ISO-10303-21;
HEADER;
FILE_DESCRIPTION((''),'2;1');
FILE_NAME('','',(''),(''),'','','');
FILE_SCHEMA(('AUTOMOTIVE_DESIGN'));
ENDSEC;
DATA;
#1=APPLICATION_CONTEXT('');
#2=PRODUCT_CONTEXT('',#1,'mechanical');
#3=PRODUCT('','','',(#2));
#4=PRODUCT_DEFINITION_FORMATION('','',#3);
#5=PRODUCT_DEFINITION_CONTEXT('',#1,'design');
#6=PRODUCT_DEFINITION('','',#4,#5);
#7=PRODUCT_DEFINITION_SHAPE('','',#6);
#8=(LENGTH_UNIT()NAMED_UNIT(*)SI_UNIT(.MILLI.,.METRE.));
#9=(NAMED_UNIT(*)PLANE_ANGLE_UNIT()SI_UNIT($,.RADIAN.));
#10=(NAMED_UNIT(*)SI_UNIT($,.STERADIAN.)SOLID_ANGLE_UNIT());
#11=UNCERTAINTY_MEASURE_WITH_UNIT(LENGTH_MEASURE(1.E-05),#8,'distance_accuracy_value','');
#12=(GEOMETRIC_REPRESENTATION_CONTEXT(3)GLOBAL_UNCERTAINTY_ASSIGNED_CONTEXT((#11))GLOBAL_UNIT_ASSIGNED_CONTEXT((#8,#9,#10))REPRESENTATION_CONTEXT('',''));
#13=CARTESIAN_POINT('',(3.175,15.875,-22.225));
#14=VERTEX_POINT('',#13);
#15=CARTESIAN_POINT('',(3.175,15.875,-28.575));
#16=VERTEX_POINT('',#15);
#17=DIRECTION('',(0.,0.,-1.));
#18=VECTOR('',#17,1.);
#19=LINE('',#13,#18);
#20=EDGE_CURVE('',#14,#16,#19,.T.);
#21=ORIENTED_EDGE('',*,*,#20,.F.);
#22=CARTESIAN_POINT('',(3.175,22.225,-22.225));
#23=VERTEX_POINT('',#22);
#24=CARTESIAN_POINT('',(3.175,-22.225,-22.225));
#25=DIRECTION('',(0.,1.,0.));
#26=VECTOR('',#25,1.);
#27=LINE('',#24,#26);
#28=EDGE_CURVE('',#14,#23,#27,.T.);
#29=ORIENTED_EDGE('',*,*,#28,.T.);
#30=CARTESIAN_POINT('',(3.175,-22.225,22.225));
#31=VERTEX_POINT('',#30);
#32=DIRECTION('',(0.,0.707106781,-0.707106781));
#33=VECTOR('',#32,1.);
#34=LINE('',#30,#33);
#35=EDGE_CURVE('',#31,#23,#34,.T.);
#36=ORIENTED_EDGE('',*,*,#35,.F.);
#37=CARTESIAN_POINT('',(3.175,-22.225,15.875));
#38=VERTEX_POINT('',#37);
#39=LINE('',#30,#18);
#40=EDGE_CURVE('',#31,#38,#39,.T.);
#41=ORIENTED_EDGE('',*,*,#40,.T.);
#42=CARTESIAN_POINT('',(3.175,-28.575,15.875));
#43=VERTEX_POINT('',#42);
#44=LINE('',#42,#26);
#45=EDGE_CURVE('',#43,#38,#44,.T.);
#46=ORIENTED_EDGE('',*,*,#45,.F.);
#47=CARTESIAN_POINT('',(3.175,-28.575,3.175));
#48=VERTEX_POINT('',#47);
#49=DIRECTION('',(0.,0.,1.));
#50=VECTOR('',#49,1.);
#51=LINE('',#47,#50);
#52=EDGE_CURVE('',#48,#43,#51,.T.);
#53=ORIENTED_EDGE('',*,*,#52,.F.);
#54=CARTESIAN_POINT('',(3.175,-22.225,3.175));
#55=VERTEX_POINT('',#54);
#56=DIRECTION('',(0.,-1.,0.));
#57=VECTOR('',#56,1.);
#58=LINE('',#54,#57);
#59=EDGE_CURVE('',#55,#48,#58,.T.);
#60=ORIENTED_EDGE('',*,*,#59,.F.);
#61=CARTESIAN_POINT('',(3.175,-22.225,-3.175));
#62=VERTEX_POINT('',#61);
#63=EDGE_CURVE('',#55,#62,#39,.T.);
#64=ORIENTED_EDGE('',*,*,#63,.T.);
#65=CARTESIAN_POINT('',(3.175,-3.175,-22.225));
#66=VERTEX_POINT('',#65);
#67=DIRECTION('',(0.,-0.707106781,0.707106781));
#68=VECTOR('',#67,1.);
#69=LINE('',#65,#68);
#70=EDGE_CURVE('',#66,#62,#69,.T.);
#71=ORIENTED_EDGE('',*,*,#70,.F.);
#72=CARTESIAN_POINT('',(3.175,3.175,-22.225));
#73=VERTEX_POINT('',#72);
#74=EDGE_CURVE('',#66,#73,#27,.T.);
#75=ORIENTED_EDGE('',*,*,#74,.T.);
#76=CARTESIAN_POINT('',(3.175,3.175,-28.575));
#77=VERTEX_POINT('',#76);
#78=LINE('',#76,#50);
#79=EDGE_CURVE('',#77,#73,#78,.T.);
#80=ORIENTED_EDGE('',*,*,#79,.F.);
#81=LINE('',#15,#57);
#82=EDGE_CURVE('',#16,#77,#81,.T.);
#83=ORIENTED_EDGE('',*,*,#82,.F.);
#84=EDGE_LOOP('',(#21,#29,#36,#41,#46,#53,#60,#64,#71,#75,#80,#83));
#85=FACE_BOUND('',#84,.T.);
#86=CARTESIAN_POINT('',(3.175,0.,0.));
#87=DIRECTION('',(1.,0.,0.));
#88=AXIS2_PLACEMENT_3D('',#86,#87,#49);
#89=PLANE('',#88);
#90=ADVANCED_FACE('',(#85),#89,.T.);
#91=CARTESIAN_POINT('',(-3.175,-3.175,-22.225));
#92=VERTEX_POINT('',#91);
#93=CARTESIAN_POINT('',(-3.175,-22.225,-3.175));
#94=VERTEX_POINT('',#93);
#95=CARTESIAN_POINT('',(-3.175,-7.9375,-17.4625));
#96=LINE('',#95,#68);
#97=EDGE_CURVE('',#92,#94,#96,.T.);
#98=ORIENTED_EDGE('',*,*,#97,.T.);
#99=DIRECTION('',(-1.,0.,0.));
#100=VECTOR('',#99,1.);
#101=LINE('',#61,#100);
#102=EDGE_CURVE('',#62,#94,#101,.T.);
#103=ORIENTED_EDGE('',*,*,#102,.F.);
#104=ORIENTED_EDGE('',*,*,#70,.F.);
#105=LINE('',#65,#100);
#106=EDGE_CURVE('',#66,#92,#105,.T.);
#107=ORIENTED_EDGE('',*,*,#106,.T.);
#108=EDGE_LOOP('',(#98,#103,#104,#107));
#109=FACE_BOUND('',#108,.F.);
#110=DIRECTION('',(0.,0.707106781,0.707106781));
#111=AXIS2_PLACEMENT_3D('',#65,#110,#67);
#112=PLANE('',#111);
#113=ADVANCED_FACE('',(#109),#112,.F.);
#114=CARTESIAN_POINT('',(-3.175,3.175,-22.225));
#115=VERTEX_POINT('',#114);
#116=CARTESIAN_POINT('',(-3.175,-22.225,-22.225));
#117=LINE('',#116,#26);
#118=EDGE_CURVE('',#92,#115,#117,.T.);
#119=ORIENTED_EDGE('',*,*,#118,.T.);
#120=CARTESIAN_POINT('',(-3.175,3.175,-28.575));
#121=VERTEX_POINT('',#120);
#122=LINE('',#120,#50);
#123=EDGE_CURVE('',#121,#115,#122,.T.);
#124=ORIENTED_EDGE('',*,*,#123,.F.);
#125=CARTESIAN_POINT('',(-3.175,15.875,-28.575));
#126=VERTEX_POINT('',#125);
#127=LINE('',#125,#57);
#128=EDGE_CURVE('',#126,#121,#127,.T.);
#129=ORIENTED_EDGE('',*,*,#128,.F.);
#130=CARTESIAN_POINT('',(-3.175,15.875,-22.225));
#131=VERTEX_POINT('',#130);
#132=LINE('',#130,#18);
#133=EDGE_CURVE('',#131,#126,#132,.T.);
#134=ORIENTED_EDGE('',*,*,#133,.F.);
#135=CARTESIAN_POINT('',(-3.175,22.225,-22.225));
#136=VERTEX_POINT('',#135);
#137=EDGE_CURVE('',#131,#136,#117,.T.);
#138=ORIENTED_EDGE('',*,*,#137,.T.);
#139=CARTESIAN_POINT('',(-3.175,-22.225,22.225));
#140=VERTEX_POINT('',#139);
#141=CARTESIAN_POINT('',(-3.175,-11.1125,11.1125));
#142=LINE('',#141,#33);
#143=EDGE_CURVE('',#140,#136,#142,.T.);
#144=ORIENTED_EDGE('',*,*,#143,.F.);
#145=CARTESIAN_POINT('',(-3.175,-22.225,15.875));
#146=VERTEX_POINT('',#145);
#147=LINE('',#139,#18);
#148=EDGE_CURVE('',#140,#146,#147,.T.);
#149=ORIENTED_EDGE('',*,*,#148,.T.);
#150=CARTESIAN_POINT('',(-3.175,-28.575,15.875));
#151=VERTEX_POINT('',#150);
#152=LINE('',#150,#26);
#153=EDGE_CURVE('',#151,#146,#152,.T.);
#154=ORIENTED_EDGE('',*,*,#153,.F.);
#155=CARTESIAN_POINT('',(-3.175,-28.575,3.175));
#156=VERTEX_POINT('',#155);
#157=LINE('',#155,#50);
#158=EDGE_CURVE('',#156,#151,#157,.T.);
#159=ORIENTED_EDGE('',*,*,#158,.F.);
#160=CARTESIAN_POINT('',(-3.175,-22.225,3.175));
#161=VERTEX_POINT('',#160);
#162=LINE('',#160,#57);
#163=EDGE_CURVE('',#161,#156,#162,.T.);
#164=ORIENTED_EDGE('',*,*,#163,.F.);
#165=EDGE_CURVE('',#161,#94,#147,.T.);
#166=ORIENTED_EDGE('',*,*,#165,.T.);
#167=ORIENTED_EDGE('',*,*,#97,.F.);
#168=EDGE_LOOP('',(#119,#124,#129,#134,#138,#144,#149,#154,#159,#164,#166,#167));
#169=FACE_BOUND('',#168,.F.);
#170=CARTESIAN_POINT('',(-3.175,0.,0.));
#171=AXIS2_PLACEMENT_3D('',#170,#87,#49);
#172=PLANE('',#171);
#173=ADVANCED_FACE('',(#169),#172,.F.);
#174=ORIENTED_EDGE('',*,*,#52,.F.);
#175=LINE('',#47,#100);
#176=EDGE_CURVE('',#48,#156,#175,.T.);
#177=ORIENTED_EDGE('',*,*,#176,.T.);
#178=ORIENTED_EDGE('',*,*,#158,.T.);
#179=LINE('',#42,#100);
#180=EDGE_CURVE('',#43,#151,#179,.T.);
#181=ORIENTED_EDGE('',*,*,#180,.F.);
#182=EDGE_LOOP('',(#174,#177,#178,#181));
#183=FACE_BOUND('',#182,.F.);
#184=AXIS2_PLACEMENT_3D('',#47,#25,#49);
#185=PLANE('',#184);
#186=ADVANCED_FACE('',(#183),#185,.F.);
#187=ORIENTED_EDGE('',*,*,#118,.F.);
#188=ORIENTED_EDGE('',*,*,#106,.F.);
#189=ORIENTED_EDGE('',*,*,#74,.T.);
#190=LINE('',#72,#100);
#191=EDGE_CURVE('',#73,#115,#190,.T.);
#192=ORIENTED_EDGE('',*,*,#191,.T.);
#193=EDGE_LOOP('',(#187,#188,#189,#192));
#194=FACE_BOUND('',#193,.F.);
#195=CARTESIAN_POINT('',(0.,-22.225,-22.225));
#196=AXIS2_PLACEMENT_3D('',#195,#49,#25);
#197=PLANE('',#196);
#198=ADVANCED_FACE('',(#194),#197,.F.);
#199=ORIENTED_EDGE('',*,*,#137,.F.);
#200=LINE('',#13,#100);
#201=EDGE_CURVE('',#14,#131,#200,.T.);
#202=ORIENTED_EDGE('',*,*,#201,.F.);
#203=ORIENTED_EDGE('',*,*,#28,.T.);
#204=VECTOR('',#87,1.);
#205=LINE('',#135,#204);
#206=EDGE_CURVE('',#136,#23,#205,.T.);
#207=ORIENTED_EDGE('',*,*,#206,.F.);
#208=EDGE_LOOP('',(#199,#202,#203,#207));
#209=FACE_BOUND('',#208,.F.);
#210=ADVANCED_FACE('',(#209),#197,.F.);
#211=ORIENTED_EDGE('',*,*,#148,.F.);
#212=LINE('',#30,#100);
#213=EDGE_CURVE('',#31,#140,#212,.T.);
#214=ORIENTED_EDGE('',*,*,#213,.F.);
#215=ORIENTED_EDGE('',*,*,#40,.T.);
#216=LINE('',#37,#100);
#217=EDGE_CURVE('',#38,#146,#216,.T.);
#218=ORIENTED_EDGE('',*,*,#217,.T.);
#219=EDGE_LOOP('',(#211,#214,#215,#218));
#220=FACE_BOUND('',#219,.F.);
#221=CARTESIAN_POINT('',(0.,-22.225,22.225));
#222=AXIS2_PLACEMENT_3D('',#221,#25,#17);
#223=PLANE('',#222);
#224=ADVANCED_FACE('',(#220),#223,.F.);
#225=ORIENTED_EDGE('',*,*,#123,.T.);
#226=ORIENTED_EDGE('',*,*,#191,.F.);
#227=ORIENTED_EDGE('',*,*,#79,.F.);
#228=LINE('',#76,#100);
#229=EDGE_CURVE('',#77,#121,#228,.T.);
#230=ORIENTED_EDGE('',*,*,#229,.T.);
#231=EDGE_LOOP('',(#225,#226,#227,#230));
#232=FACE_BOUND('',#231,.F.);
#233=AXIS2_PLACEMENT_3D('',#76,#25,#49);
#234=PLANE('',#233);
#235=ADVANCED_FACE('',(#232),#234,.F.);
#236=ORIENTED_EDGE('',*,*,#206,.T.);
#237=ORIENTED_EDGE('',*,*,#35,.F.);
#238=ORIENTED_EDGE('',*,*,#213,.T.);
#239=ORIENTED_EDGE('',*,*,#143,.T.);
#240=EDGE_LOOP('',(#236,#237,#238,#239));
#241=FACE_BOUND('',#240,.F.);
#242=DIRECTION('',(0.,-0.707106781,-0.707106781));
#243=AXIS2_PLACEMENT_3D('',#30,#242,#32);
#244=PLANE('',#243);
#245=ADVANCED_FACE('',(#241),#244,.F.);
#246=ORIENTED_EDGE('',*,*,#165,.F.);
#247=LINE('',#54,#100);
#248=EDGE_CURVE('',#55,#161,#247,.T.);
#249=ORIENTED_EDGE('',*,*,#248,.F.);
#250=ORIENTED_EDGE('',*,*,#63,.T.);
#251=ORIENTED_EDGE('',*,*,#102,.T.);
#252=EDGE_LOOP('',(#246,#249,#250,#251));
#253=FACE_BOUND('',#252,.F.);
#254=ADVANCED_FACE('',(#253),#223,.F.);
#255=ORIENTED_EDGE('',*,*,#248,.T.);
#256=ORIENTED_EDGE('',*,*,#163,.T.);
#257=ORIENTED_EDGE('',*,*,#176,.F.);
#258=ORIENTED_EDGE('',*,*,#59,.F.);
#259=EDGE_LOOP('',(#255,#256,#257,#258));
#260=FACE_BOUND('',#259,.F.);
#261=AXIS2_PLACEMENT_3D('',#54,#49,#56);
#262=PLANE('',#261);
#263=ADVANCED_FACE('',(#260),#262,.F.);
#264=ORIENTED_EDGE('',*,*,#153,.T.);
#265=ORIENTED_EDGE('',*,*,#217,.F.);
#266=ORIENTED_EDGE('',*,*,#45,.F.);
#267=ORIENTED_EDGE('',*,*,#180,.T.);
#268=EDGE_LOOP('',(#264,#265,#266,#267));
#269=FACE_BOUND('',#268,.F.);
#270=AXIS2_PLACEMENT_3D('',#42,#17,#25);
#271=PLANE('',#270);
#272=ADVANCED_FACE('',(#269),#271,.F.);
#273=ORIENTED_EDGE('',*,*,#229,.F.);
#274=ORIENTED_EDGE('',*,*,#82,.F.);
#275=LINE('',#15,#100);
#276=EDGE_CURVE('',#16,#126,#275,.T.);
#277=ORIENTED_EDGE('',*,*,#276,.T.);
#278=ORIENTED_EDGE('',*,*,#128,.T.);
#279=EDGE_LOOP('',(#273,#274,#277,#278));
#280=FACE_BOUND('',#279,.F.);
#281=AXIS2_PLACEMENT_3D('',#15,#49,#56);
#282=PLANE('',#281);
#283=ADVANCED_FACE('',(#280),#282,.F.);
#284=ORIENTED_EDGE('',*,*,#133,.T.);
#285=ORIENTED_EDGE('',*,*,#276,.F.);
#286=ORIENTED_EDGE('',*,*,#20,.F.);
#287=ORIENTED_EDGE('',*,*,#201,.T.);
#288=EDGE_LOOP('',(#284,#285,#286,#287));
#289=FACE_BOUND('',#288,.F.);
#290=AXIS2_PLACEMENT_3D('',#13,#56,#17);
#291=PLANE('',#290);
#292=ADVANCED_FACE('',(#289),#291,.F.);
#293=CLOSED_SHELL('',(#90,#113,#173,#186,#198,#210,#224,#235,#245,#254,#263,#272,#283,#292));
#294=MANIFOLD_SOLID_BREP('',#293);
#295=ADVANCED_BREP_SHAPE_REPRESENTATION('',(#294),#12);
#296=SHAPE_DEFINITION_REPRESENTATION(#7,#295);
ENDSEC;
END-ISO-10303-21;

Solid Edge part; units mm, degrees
sketch "Sketch1" plane through (0, 0, 0) normal (1, 0, 0) x (0, 1, 0)
  line L0 (-22.225, -22.225) -> (22.225, -22.225)
  line L1 (22.225, -22.225) -> (22.225, 22.225)
  line L2 (22.225, 22.225) -> (-22.225, 22.225)
  line L3 (-22.225, 22.225) -> (-22.225, -22.225)
  dimension "D1" = 44.45
  dimension "D2" = 44.45
extrude "ExtrudedProtrusion_1" add sketch "Sketch1" along normal mid plane 6.35
sketch "Sketch2" plane through (3.175, 0, 0) normal (1, 0, 0) x (0, 1, 0)
  line L0 (-22.225, 22.225) -> (22.225, -22.225)
  line L1 (22.225, -22.225) -> (22.225, 22.225)
  line L2 (22.225, 22.225) -> (-22.225, 22.225)
  line L3 (-22.225, -3.175) -> (-22.225, -22.225)
  line L4 (-22.225, -22.225) -> (-3.175, -22.225)
  line L5 (-3.175, -22.225) -> (-22.225, -3.175)
  dimension "D1" = 19.05
extrude "Cutout1" cut sketch "Sketch2" against normal through all
sketch "Sketch3" plane through (3.175, 0, 0) normal (1, 0, 0) x (0, 1, 0)
  line L0 (-22.225, 3.175) -> (-28.575, 3.175)
  line L1 (-28.575, 3.175) -> (-28.575, 15.875)
  line L2 (-28.575, 15.875) -> (-22.225, 15.875)
  line L3 (-22.225, 15.875) -> (-22.225, 3.175)
  line L4 (3.175, -22.225) -> (15.875, -22.225)
  line L5 (15.875, -22.225) -> (15.875, -28.575)
  line L6 (15.875, -28.575) -> (3.175, -28.575)
  line L7 (3.175, -28.575) -> (3.175, -22.225)
  dimension "D1" = 12.7
  dimension "D2" = 6.35
  dimension "D3" = 6.35
  dimension "D4" = 12.7
extrude "Protrusion1" add sketch "Sketch3" against normal up to surface (6.35 mm away)
properties material "ABS PLUS"
